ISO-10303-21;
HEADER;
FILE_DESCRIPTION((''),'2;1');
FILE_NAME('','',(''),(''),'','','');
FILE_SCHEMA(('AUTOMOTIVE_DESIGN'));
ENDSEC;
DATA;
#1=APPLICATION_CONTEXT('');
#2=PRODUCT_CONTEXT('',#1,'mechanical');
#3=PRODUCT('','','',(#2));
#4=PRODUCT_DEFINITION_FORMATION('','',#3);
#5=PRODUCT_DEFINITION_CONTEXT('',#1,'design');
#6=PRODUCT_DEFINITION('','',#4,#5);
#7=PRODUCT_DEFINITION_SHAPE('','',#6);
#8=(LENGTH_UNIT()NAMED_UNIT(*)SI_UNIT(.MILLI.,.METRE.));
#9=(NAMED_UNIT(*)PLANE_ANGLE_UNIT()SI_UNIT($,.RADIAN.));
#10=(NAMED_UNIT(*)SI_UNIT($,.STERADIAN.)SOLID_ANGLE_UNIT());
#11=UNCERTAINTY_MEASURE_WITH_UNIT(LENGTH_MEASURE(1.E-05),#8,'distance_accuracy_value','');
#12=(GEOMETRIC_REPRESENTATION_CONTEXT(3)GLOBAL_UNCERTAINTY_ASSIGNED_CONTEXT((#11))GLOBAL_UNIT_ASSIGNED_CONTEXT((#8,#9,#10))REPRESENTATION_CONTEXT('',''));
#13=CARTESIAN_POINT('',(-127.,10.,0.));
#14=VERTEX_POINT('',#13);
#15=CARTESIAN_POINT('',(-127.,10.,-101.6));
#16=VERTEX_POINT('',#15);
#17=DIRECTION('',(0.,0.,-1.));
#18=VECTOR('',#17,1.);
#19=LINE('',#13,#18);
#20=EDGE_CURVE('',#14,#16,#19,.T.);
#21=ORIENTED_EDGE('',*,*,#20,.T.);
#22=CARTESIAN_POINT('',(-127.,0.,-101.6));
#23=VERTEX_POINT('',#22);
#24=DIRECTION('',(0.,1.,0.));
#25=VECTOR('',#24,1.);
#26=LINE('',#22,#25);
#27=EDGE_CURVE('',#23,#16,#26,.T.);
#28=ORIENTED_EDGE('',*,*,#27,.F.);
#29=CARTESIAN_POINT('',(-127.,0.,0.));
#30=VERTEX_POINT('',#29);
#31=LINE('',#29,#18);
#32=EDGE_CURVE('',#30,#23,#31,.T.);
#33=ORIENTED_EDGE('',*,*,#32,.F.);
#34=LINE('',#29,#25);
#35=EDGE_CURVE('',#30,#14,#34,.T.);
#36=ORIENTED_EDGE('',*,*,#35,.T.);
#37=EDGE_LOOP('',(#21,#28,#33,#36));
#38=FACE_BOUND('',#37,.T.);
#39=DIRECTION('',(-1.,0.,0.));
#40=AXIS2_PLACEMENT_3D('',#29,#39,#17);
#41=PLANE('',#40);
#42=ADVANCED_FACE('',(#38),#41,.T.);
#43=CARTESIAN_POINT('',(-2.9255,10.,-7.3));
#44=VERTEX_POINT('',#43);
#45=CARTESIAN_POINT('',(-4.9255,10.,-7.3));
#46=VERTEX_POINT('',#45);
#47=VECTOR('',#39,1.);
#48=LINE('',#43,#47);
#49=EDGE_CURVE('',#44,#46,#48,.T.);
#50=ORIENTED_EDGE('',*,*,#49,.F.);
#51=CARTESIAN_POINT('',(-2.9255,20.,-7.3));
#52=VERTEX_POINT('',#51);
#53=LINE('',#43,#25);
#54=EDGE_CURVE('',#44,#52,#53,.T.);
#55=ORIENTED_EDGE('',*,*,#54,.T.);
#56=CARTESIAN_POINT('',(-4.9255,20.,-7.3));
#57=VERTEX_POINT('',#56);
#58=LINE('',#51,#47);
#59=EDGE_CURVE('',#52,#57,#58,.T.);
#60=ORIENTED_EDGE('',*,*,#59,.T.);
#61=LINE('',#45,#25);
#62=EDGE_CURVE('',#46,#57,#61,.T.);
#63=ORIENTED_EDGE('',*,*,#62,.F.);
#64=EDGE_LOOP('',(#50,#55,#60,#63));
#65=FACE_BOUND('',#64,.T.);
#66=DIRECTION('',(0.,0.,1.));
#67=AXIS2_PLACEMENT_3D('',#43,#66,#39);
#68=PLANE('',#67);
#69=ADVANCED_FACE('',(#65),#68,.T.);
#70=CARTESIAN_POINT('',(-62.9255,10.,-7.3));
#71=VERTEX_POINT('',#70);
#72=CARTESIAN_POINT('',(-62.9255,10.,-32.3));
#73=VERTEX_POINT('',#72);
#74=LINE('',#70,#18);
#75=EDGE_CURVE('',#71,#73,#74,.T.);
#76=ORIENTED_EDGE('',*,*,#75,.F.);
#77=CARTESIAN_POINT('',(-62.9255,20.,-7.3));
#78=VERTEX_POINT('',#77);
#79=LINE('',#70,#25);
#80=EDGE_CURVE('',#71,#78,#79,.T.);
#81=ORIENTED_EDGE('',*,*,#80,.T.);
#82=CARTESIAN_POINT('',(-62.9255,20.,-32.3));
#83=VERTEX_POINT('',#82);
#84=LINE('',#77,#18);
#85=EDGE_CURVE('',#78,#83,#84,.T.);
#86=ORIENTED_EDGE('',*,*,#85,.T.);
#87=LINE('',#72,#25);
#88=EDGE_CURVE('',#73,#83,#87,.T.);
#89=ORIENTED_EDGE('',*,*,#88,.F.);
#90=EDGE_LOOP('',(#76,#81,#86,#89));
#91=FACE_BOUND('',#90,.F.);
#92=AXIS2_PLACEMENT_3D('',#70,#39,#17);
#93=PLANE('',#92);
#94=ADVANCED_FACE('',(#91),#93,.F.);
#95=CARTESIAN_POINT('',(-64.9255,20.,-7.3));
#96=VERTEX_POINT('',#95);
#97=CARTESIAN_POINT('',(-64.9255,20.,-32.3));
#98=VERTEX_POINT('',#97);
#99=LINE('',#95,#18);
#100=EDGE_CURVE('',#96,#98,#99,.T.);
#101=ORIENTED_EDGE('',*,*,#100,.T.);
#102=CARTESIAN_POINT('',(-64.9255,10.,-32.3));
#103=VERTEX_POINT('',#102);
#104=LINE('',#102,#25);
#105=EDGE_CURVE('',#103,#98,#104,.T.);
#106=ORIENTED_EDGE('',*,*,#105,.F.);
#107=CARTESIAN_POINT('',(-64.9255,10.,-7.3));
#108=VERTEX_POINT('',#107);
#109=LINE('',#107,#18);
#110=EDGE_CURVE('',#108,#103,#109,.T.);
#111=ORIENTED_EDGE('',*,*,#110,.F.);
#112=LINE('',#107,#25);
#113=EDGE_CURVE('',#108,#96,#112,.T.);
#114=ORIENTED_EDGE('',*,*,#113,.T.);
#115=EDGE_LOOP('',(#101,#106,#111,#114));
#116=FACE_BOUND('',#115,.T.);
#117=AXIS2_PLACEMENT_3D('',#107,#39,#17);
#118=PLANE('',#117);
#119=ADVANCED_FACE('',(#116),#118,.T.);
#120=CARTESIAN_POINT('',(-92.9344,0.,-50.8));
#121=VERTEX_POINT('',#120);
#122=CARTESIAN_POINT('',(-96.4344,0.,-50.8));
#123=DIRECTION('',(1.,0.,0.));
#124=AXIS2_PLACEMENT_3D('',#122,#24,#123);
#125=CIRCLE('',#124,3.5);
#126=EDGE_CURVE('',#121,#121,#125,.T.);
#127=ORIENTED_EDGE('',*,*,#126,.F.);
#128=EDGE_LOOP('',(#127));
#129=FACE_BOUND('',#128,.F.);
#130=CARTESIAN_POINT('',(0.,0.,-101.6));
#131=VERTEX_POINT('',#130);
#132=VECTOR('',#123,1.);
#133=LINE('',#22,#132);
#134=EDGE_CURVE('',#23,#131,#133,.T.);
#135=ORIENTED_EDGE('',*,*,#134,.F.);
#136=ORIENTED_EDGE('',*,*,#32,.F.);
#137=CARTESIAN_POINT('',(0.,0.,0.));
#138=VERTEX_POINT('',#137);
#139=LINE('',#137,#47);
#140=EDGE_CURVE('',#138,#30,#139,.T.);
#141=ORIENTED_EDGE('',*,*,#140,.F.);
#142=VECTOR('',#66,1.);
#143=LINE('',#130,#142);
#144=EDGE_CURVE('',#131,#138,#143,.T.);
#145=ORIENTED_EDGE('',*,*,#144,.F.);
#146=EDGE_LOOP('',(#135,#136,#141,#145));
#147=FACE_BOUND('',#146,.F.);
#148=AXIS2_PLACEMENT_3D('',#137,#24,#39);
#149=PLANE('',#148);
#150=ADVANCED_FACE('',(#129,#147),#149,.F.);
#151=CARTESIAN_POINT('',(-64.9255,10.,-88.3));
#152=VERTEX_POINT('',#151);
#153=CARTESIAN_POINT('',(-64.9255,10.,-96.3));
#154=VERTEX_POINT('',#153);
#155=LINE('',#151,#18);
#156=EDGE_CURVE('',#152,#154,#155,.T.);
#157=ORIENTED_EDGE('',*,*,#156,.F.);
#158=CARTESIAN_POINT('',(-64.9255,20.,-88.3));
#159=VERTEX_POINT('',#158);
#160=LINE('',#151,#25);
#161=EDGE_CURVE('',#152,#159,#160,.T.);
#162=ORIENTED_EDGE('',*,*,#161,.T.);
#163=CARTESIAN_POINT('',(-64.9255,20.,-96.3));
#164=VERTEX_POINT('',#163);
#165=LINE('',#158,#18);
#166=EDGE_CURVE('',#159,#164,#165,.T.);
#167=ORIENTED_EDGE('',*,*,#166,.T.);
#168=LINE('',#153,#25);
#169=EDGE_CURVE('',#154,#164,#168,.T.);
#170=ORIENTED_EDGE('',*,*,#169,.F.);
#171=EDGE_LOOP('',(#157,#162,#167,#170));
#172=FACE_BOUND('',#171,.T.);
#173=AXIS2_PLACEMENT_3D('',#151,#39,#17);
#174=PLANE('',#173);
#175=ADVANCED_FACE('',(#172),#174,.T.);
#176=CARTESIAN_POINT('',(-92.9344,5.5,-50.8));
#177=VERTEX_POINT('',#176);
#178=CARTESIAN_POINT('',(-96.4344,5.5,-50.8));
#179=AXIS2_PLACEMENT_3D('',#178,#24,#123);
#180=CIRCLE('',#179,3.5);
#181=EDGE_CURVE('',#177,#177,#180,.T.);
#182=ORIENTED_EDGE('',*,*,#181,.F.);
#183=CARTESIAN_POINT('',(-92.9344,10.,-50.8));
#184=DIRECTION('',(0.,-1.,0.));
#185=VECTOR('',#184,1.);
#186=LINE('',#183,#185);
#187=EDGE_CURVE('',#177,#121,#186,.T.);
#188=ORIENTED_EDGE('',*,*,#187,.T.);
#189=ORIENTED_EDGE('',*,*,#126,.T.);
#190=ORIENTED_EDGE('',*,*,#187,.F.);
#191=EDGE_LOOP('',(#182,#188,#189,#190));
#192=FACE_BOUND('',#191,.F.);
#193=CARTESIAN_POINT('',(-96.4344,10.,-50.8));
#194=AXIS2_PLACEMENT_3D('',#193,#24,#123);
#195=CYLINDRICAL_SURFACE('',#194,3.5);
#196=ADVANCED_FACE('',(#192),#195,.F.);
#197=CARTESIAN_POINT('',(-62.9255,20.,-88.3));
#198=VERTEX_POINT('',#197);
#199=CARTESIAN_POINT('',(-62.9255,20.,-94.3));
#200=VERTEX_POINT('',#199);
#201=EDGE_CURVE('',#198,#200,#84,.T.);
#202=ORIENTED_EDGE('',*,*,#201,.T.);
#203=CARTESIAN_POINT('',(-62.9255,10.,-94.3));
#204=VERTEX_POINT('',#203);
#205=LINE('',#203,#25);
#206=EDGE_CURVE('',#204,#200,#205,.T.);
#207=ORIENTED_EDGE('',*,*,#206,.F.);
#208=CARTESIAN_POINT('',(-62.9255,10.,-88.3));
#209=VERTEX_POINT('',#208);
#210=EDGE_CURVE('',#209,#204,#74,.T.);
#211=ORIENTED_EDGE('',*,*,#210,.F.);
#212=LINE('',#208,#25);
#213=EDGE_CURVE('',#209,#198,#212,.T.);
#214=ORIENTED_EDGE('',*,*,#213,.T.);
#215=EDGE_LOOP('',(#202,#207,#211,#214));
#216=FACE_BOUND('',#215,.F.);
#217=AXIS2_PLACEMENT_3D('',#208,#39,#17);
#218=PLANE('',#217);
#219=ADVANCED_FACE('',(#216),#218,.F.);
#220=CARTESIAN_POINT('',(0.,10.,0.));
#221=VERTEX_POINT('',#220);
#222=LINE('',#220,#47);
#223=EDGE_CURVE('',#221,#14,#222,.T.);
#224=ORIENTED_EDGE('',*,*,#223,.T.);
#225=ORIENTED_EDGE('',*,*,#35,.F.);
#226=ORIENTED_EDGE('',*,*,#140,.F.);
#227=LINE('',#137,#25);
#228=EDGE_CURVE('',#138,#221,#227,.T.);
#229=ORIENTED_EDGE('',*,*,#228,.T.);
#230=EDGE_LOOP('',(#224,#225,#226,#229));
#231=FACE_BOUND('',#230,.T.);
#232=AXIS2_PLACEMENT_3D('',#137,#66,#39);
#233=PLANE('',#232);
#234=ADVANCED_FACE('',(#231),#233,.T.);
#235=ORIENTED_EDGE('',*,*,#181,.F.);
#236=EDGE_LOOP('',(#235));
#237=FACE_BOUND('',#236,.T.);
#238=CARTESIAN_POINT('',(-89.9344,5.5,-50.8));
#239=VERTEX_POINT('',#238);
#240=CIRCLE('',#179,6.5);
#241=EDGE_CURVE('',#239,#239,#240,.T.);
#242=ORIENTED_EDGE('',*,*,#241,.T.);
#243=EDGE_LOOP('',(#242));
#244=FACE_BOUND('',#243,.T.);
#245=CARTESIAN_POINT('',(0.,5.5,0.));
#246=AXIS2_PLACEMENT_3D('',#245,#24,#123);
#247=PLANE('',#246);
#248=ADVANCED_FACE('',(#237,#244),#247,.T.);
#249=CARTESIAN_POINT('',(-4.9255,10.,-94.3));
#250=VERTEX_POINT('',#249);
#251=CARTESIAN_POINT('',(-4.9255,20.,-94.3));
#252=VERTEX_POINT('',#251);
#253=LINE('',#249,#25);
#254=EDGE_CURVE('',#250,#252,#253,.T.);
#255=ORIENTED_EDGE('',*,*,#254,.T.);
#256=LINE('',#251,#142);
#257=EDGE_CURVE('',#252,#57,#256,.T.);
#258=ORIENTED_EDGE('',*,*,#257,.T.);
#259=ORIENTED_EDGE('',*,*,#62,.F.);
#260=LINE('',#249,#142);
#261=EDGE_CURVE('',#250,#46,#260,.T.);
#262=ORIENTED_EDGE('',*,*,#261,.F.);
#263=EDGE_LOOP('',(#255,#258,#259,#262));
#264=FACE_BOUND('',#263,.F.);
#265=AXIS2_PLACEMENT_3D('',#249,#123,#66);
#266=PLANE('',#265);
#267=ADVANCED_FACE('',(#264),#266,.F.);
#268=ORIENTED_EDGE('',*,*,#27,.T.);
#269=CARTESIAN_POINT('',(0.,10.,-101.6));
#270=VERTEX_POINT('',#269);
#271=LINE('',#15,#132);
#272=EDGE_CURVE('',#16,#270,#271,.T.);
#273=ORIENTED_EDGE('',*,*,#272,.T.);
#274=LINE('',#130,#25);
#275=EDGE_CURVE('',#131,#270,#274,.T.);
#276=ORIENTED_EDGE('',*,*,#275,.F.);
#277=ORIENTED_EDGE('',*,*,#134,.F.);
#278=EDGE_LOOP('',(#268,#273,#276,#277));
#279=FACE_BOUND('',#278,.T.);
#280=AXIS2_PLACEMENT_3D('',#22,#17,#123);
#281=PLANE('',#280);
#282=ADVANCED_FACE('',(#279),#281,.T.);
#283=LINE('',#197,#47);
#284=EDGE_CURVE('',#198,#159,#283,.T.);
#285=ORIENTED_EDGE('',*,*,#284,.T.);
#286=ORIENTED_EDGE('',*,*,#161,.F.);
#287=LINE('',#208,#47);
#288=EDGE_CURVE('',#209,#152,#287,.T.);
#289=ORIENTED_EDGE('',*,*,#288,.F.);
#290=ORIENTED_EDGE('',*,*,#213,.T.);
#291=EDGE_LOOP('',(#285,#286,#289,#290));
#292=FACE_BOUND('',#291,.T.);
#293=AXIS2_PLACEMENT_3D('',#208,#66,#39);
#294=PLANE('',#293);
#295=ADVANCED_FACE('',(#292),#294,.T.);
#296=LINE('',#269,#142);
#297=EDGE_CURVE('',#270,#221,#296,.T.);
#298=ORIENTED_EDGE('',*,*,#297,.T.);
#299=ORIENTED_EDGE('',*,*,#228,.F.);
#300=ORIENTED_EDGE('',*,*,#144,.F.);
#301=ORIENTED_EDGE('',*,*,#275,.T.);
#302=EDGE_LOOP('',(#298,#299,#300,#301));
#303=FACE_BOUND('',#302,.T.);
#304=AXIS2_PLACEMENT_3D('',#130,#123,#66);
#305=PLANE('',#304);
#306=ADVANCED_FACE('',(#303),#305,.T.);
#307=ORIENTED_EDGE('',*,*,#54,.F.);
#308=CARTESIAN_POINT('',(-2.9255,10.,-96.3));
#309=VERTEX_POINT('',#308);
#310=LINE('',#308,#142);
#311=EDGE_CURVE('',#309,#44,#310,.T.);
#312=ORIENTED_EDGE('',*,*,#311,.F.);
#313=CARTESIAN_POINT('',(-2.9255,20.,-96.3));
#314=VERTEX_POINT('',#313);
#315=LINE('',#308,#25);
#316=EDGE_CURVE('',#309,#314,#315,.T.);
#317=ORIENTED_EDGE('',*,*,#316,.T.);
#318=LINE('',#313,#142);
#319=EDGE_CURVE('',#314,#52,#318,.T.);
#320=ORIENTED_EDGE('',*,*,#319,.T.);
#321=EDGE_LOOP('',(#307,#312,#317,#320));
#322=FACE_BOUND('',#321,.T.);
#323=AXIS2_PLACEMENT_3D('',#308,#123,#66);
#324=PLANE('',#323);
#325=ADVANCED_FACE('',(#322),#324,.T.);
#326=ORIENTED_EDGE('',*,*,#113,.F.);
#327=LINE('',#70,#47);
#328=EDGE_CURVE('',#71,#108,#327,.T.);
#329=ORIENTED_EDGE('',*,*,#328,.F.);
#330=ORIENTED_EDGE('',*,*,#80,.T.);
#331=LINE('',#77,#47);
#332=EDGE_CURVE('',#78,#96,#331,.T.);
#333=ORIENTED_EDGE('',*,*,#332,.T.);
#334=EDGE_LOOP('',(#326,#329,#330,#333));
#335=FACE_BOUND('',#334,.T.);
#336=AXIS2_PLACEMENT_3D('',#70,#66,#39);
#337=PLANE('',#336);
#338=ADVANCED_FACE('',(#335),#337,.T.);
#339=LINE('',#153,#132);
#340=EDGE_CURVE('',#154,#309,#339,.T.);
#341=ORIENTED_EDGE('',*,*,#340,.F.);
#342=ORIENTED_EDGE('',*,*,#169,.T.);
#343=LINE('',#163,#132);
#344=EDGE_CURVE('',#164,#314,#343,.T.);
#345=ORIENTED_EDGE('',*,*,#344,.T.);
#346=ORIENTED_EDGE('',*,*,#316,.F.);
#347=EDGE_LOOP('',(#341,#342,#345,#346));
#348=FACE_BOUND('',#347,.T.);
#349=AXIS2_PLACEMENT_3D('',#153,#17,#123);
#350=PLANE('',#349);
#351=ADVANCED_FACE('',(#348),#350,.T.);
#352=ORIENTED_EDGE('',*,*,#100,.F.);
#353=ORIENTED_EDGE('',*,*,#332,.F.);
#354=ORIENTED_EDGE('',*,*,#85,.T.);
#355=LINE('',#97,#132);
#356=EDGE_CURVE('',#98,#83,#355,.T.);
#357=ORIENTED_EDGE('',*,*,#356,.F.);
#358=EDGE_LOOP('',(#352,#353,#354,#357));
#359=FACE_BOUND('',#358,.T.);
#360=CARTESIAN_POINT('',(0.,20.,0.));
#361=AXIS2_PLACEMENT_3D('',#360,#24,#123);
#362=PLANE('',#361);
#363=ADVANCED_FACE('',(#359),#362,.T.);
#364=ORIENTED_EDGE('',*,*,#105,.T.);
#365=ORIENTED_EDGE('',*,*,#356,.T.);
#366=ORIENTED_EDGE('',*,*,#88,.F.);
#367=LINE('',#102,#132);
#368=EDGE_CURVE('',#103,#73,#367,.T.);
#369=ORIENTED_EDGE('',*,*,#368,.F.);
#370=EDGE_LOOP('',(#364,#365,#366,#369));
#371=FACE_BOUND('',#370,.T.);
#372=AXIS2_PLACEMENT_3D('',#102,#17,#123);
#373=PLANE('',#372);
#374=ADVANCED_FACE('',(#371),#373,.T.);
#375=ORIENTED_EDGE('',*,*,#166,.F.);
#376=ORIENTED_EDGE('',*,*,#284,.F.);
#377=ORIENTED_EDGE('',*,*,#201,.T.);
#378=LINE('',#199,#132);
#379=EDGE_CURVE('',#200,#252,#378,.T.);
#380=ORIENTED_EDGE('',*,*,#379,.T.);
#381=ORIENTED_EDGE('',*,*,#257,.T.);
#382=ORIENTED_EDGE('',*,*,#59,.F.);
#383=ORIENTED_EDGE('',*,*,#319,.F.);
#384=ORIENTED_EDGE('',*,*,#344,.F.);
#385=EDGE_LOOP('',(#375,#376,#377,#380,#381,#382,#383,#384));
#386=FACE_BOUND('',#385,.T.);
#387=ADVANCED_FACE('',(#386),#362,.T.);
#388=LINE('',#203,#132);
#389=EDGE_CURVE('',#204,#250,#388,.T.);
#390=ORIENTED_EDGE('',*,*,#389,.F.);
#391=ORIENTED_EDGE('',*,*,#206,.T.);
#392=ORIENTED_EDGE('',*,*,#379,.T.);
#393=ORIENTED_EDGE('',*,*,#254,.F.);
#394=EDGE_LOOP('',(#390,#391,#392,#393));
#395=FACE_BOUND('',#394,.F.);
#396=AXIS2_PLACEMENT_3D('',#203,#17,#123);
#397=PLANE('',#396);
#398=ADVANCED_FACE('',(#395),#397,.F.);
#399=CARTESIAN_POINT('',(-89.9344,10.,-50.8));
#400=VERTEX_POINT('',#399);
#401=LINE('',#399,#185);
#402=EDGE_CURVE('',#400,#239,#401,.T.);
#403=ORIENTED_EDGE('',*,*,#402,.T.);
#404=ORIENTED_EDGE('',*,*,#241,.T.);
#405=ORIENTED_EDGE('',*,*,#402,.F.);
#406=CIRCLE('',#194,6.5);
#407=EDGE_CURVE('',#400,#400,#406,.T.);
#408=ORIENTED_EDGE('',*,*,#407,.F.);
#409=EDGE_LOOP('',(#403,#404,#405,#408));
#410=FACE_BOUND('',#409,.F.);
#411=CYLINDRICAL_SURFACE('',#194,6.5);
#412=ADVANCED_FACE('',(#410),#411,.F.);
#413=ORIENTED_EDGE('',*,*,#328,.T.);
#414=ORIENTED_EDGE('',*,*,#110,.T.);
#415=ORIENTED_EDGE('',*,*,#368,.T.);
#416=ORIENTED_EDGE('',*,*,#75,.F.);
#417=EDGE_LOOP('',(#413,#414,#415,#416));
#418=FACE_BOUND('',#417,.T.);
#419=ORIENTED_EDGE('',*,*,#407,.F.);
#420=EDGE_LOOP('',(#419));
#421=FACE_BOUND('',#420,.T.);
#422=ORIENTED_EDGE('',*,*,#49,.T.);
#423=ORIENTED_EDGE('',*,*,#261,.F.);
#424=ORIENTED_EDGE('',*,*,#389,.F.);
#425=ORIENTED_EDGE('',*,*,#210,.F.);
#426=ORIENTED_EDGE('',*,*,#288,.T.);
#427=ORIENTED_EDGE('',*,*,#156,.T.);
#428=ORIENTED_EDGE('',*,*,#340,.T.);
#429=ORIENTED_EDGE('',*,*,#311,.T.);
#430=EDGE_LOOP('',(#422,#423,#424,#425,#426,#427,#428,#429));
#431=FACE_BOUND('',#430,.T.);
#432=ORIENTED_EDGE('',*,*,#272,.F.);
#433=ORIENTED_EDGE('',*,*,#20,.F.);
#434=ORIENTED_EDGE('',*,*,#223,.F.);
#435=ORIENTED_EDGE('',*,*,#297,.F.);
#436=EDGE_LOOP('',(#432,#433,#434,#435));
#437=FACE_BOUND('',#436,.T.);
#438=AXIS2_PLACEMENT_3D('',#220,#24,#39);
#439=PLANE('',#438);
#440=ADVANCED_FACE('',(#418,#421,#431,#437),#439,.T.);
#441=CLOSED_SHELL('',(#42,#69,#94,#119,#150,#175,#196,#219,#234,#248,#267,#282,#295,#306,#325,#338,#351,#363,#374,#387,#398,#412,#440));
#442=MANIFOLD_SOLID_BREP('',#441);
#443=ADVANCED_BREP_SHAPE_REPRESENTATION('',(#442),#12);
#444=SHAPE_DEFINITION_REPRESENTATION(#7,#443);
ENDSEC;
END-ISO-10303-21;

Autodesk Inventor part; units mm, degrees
ref_plane "YZ Plane" through (0, 0, 0) normal (1, 0, 0) x (0, 1, 0)
ref_plane "XZ Plane" through (0, 0, 0) normal (0, 1, 0) x (-1, 0, 0)
ref_plane "XY Plane" through (0, 0, 0) normal (0, 0, 1) x (1, 0, 0)
sketch "Sketch1" plane through (0, 0, 0) normal (0, 1, 0) x (-1, 0, 0)
  line L0 (0, 0) -> (127, 0)
  line L1 (127, 0) -> (127, -101.6)
  line L2 (127, -101.6) -> (0, -101.6)
  line L3 (0, -101.6) -> (0, 0)
  dimension "d1" = 127
extrude "Extrusion1" add sketch "Sketch1" along normal blind 10
sketch "Sketch2" plane through (0, 10, 0) normal (0, 1, 0) x (1, 0, 0)
  line L0 (0, 0) -> (0, 101.6) projected
  line L1 (-5.9255, 8.3) -> (-61.9255, 8.3)
  line L2 (-61.9255, 8.3) -> (-61.9255, 93.3)
  line L3 (-61.9255, 93.3) -> (-5.9255, 93.3)
  line L4 (-5.9255, 93.3) -> (-5.9255, 8.3)
  line L5 (-5.9255, 8.3) -> (-61.9255, 93.3) construction
  line L6 (-61.9255, 8.3) -> (-5.9255, 93.3) construction
  line L7 (-126.4344, 50.8) -> (-96.4344, 50.8)
  circle A0 centre (-96.4344, 50.8) radius 3.5
  point P0 (-33.9255, 50.8)
  dimension "d5" = 56
  dimension "d6" = 85
  dimension "d7" = 30
  dimension "d8" = 7
extrude "Extrusion2" cut sketch "Sketch2" against normal through all contours A0
sketch "Sketch3" plane through (0, 10, 0) normal (0, 1, 0) x (1, 0, 0)
  line L0 (-5.9255, 8.3) -> (-61.9255, 93.3) construction
  line L1 (-61.9255, 8.3) -> (-5.9255, 93.3) construction
  line L2 (-126.4344, 50.8) -> (-96.4344, 50.8)
  circle A0 centre (-96.4344, 50.8) radius 3.5
  line L3 (-4.9255, 7.3) -> (-62.9255, 7.3)
  line L4 (-62.9255, 7.3) -> (-62.9255, 94.3)
  line L5 (-62.9255, 94.3) -> (-4.9255, 94.3)
  line L6 (-4.9255, 94.3) -> (-4.9255, 7.3)
  line L7 (-4.9255, 7.3) -> (-62.9255, 94.3) construction
  line L8 (-62.9255, 7.3) -> (-4.9255, 94.3) construction
  line L9 (-62.9255, 94.3) -> (-62.9255, 84.3)
  line L10 (-62.9255, 94.3) -> (-62.9255, 88.3)
  line L11 (-62.9255, 88.3) -> (-64.9255, 88.3)
  line L12 (-64.9255, 88.3) -> (-64.9255, 96.3)
  line L13 (-64.9255, 96.3) -> (-2.9255, 96.3)
  line L14 (-2.9255, 96.3) -> (-2.9255, 7.3)
  line L15 (-2.9255, 7.3) -> (-4.9255, 7.3)
  line L16 (-4.9255, 94.3) -> (-62.9255, 94.3)
  line L17 (-62.9255, 7.3) -> (-64.9255, 7.3)
  line L18 (-64.9255, 7.3) -> (-64.9255, 32.3)
  line L19 (-64.9255, 32.3) -> (-62.9255, 32.3)
  point P0 (-33.9255, 50.8)
  dimension "d13" = 30
  dimension "d14" = 7
  dimension "d20" = 6
  dimension "d21" = 2
  dimension "d22" = 8
  dimension "d23" = 62
  dimension "d24" = 2
  dimension "d25" = 25
extrude "Extrusion3" add sketch "Sketch3" along normal blind 10 contours L6 L5 L4 L11 L12 L13 L14 L15 | L17 L18 L19 L4
sketch "Sketch4" plane through (0, 10, 0) normal (0, 1, 0) x (1, 0, 0)
  circle A0 centre (-96.4344, 50.8) radius 3.5 projected
  circle A1 centre (-96.4344, 50.8) radius 6.5
  point P0 (0, 0)
  dimension "d28" = 13
extrude "Extrusion4" cut sketch "Sketch4" against normal blind 4.5
sketch "Sketch5" plane through (0, 10, 0) normal (0, 1, 0) x (1, 0, 0)
  point P0 (0, 0)
properties part number "CraneBase"
